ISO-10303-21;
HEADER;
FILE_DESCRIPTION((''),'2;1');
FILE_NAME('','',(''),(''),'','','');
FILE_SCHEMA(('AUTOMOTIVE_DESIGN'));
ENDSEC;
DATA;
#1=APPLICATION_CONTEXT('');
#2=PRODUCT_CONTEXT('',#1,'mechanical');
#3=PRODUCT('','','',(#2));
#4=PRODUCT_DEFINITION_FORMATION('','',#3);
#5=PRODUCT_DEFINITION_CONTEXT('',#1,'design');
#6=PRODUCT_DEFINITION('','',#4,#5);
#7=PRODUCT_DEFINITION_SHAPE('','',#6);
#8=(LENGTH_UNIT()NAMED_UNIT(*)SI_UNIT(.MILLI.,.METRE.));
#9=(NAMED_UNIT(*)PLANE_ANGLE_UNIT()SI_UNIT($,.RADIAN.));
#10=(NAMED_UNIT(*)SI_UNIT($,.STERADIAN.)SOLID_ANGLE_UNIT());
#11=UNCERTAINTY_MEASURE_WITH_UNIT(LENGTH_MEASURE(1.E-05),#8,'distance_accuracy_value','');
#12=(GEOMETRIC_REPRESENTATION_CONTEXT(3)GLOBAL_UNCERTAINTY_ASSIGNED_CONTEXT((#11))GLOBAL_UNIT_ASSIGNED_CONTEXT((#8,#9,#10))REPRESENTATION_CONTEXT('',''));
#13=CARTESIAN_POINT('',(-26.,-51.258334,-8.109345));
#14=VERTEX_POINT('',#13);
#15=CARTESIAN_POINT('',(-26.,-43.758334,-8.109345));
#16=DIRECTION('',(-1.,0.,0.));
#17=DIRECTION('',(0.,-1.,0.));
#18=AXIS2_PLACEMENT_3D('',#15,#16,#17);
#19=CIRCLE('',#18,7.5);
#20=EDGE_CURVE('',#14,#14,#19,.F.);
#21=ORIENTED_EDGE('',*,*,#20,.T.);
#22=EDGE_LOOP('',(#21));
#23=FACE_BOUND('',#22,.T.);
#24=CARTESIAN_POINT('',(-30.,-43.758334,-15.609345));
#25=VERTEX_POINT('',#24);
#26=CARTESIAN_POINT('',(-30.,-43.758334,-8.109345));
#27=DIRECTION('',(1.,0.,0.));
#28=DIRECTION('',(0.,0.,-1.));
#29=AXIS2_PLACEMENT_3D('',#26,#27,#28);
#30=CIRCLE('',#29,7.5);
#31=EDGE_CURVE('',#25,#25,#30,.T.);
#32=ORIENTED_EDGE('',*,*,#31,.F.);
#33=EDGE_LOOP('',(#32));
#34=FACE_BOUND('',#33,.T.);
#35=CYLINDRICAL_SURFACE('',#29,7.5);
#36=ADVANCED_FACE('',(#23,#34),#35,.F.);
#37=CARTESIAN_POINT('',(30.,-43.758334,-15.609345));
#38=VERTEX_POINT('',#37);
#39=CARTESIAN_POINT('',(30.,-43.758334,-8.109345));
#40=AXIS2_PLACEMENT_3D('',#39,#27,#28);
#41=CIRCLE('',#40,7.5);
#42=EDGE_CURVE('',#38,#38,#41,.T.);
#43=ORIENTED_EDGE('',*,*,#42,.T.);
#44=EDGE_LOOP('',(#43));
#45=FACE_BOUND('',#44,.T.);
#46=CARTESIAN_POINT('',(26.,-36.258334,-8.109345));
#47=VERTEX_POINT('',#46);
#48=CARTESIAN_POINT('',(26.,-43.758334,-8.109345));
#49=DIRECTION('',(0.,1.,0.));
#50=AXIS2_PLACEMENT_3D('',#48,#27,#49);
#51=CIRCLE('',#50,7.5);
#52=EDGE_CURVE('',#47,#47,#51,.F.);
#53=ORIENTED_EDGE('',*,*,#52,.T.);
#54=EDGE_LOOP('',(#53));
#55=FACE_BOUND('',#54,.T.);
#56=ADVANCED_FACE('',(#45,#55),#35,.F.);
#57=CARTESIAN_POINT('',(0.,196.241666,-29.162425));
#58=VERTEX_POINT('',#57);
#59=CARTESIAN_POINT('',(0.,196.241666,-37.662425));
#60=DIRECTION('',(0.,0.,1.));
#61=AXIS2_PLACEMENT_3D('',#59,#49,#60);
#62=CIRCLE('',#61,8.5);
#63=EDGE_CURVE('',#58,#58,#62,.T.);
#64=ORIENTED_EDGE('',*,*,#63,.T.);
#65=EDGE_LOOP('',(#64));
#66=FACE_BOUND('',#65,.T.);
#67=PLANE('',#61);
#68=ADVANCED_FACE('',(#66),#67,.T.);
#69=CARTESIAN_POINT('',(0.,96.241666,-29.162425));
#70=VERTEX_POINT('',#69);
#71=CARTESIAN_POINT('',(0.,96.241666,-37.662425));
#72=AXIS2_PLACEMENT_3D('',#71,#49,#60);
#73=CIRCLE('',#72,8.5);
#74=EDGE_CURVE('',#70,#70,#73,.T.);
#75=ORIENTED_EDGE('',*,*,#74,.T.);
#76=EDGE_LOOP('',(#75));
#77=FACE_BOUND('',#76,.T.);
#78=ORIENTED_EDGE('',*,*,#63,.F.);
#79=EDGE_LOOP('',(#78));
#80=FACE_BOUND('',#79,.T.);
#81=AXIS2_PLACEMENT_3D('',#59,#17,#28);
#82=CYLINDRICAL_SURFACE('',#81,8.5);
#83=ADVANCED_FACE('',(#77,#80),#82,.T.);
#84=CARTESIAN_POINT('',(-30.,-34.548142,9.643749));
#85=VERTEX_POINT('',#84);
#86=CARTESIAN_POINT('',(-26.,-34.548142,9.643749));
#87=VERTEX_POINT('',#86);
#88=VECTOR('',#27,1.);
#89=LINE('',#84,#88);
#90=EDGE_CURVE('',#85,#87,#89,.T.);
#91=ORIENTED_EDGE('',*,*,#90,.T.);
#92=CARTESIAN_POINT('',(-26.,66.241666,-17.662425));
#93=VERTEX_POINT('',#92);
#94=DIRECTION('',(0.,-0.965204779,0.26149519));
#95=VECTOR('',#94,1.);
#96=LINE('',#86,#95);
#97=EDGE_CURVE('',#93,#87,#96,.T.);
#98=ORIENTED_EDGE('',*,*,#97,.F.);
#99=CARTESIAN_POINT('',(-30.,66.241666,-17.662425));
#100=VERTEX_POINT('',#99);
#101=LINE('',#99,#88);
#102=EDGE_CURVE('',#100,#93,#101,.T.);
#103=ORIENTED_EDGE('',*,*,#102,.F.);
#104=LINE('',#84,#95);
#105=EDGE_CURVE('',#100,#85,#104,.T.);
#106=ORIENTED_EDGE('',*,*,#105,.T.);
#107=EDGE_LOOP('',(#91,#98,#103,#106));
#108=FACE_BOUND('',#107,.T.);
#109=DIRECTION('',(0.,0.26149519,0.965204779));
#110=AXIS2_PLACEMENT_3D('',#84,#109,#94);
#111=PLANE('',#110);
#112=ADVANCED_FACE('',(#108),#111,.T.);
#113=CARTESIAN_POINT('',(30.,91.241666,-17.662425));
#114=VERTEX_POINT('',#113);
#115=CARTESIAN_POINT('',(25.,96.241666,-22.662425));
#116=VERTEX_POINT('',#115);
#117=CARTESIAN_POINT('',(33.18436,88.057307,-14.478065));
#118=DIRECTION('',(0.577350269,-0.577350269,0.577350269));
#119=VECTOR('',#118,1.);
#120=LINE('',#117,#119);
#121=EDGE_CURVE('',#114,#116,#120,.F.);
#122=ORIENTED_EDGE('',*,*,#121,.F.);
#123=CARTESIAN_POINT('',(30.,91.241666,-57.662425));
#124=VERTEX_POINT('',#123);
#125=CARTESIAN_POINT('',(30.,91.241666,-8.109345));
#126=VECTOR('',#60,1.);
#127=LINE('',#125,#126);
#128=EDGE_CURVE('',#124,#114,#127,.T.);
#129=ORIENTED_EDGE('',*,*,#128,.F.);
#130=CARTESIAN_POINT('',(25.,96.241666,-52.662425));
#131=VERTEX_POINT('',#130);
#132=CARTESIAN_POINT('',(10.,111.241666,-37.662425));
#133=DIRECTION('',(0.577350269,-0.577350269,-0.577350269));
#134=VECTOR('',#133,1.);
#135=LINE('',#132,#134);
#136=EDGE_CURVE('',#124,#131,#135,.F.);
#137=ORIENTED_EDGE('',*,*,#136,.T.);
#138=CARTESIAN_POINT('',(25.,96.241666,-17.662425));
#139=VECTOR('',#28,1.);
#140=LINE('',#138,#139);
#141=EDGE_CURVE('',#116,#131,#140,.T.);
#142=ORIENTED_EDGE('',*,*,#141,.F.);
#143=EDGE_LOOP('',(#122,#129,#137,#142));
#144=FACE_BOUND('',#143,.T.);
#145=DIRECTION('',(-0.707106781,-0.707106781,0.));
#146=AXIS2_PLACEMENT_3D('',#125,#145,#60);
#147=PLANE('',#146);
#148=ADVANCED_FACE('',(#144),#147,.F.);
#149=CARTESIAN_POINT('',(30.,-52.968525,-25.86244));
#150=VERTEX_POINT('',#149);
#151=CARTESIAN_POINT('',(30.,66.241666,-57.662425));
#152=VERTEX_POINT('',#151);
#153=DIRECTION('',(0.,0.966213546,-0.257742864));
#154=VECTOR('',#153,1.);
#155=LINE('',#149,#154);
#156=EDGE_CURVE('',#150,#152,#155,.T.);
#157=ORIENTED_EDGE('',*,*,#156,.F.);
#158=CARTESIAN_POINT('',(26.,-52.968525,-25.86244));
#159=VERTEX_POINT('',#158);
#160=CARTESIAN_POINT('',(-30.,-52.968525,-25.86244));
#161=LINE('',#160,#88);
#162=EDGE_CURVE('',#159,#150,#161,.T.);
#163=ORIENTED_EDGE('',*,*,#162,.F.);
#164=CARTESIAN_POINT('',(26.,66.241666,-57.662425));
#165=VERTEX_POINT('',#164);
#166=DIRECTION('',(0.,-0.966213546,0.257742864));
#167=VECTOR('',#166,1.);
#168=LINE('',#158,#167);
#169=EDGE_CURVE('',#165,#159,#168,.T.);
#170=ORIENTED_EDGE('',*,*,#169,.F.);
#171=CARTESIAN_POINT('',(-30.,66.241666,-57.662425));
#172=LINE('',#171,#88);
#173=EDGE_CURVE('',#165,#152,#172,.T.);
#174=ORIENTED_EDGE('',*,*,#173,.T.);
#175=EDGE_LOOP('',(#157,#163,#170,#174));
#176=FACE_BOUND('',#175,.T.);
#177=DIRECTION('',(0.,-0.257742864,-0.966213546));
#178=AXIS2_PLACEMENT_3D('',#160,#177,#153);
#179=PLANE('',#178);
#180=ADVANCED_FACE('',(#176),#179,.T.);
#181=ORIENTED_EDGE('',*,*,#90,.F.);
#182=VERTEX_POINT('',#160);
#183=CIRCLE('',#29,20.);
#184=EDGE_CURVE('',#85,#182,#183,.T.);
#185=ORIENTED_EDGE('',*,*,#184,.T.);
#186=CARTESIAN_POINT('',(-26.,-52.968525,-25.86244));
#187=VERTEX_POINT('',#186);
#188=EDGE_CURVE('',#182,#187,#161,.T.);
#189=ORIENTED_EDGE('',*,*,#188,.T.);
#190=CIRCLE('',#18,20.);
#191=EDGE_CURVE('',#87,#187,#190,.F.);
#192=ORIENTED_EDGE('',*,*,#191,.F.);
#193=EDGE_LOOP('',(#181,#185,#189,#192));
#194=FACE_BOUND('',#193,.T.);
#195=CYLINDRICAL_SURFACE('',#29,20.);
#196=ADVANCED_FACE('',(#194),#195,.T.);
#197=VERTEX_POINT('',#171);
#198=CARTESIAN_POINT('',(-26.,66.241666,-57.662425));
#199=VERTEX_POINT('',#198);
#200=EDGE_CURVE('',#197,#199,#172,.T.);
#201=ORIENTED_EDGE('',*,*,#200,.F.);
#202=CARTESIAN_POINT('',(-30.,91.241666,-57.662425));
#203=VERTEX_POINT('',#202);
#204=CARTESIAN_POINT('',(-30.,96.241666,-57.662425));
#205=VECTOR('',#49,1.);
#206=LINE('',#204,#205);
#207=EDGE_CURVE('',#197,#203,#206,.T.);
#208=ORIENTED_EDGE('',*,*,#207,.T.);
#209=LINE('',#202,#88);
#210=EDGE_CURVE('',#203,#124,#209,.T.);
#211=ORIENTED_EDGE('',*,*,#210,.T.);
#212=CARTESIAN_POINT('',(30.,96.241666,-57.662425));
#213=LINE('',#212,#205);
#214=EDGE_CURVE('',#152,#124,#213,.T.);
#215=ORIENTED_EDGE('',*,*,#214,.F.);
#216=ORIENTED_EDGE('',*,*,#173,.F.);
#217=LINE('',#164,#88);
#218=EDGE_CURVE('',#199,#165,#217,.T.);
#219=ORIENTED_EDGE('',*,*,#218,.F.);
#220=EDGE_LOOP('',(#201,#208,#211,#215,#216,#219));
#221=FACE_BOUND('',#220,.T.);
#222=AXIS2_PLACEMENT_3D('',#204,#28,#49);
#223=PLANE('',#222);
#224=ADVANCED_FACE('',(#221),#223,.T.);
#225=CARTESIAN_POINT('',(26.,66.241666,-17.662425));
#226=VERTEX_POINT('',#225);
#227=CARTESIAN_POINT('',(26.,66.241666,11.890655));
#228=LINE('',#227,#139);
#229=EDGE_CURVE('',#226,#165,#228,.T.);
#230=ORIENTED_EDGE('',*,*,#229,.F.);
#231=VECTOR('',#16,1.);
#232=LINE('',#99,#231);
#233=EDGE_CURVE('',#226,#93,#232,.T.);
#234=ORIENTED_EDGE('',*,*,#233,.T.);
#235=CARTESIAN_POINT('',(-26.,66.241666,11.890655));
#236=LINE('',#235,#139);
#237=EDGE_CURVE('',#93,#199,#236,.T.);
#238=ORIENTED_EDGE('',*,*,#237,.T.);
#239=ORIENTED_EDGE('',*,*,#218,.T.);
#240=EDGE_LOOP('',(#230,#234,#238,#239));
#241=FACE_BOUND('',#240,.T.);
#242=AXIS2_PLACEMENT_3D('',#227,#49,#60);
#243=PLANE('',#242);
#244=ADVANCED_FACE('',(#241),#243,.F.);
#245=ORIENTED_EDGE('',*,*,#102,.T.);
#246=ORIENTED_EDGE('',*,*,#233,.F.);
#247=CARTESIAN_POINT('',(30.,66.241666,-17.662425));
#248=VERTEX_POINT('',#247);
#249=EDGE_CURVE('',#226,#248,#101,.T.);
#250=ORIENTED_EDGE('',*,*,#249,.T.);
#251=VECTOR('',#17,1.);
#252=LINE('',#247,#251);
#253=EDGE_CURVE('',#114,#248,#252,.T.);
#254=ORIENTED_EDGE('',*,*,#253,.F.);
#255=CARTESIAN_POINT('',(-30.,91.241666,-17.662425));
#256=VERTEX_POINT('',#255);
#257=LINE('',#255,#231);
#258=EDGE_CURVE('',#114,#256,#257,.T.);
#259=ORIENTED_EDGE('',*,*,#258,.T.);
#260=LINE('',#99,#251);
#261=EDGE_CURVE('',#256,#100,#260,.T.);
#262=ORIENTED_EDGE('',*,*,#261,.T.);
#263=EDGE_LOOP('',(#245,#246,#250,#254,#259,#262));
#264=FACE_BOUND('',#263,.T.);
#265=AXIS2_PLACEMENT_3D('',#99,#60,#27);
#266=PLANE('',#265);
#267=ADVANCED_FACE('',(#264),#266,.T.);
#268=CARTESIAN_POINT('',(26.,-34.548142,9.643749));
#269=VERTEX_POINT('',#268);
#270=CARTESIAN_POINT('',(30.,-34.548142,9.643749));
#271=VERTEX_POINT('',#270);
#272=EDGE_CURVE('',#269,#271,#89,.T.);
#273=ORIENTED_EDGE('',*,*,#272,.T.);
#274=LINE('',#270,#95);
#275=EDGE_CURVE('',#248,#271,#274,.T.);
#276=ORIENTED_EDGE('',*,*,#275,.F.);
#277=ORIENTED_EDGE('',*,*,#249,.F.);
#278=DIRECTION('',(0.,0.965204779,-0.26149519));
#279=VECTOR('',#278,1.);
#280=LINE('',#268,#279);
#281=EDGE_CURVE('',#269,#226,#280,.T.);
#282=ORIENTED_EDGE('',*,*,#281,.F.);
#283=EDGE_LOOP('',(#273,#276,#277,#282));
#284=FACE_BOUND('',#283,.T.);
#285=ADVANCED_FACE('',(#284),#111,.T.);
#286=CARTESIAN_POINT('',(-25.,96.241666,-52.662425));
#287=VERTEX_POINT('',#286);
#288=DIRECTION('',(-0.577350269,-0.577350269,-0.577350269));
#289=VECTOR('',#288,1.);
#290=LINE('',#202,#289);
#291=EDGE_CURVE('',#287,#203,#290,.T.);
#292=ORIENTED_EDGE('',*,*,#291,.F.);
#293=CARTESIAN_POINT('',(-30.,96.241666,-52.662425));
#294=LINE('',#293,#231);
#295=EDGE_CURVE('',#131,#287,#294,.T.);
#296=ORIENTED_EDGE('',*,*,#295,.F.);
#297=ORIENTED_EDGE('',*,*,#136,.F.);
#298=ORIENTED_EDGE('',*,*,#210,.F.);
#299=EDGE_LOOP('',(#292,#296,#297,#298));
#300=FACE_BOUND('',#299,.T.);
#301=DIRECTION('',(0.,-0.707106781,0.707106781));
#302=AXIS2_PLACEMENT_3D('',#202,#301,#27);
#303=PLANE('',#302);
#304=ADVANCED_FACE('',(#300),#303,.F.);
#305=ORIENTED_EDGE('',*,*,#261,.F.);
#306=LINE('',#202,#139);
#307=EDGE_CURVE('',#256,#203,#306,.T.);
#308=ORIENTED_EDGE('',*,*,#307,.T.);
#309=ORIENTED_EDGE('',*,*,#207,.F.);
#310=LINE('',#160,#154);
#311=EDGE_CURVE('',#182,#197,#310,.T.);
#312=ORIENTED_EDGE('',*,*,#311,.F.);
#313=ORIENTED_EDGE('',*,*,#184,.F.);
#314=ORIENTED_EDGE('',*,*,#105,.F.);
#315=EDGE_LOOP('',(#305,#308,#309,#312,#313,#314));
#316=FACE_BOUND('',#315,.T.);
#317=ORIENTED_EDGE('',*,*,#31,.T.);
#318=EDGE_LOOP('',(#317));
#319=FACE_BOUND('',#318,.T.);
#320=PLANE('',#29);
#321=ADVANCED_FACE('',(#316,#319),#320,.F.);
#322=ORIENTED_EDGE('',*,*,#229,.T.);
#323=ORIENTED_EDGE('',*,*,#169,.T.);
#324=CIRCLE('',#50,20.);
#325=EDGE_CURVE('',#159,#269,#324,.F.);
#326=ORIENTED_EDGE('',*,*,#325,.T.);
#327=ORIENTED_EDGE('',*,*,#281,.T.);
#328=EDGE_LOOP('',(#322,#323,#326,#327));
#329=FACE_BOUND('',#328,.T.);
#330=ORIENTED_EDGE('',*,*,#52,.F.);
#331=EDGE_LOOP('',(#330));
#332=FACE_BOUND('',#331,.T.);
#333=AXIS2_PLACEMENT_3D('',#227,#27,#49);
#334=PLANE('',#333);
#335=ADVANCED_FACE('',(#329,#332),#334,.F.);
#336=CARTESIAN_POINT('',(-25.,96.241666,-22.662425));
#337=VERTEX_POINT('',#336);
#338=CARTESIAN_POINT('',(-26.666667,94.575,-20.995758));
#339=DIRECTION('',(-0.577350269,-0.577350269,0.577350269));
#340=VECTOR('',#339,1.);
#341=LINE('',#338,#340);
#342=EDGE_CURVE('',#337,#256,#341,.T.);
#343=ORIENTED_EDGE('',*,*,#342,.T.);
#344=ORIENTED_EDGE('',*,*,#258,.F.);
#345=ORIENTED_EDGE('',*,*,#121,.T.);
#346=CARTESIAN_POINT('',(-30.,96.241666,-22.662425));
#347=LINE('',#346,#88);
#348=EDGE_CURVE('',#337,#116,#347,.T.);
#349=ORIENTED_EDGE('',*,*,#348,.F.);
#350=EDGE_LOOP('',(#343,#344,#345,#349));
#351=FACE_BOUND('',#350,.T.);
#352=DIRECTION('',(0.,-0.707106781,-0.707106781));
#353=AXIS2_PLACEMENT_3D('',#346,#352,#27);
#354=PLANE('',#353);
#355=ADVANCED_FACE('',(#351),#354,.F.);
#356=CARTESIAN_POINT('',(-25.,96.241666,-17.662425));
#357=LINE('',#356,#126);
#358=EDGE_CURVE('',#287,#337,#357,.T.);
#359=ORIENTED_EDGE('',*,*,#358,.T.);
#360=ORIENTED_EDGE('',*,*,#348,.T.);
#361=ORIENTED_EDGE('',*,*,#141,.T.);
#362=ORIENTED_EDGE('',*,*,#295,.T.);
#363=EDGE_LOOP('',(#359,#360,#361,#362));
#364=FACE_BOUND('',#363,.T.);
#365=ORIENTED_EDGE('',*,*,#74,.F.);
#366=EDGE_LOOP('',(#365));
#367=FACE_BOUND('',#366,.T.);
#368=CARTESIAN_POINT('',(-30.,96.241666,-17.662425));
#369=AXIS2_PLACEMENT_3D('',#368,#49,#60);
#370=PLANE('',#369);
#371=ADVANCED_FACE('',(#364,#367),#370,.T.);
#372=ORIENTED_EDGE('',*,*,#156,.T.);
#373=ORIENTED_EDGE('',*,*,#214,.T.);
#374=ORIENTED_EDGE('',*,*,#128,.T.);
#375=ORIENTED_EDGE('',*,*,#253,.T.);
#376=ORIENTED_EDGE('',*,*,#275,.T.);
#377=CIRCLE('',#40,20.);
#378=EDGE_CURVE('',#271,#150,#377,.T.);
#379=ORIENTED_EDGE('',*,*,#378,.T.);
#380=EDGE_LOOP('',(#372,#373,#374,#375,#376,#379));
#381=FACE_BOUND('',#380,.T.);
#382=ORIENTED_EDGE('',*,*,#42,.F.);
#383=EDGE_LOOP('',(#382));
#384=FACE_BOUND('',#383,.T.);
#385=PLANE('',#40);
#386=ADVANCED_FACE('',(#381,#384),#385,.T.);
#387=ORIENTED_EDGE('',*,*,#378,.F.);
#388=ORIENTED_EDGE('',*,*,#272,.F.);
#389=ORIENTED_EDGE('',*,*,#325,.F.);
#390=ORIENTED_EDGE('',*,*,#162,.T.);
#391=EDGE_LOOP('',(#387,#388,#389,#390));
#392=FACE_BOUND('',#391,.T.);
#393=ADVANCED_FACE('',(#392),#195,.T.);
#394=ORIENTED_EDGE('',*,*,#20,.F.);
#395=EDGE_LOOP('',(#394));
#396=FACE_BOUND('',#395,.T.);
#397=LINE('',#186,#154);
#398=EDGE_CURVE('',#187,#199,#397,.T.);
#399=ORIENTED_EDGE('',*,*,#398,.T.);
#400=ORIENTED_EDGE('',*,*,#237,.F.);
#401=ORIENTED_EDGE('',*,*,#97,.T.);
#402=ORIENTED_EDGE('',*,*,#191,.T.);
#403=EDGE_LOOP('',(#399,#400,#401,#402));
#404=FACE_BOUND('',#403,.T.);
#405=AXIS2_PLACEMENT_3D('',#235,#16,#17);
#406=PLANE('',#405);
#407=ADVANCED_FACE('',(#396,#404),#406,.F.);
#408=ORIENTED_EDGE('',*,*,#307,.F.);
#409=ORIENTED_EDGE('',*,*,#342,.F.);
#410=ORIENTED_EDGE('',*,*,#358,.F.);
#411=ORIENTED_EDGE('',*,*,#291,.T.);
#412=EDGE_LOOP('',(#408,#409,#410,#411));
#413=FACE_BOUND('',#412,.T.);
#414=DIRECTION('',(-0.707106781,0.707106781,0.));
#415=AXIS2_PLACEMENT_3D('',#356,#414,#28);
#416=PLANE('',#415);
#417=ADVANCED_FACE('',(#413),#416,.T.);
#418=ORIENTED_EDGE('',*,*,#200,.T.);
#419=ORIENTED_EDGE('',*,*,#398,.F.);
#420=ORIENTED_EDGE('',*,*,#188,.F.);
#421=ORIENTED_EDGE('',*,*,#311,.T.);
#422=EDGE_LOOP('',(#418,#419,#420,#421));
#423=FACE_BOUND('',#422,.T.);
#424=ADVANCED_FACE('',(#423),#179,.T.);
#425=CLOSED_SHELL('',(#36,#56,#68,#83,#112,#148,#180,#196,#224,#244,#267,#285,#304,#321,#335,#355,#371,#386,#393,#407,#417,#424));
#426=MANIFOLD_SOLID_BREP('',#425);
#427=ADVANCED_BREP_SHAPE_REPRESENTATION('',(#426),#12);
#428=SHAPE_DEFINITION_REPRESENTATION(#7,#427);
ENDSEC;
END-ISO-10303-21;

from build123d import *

# Parameters (mm, degrees)
RESSALTO_EXTRUS_O1_DEPTH      = 30
RESSALTO_EXTRUS_O1_DEPTH_BACK = 30
ESBO_O1_R                     = 7.5
ESBO_O2_W                     = 52
ESBO_O2_H                     = 143.285030211
CORTE_EXTRUS_O1_DEPTH         = 123.474851541
CHANFRO1_SIZE                 = 5
ESBO_O3_R                     = 8.5
RESSALTO_EXTRUS_O2_DEPTH      = 100


with BuildPart() as part:
    # Esboço1 → Ressalto-extrusão1 (new, two sides: drawn at the far end of the back side and taken through both)
    with BuildSketch(Plane(origin=(0, 0, 0), x_dir=(0, 0, -1), z_dir=(1, 0, 0)).offset(-RESSALTO_EXTRUS_O1_DEPTH_BACK)):
        with BuildLine():
            Line((17.662425064, 66.241666463), (17.662425064, 96.241666463))
            Line((17.662425064, 96.241666463), (57.662425064, 96.241666463))
            Line((57.662425064, 96.241666463), (57.662425064, 66.241666463))
            Line((57.662425064, 66.241666463), (25.862440111, -52.968524997))
            ThreePointArc((25.862440111, -52.968524997), (-1.100846101, -61.511428289), (-9.643749393, -34.548142078))
            Line((-9.643749393, -34.548142078), (17.662425064, 66.241666463))
        make_face()
        with Locations((8.109345359, -43.758333537)):
            Circle(ESBO_O1_R, mode=Mode.SUBTRACT)
    extrude(amount=RESSALTO_EXTRUS_O1_DEPTH + RESSALTO_EXTRUS_O1_DEPTH_BACK)

    # Esboço2 → Corte-extrusão1 (cut, through all)
    with BuildSketch(Plane(origin=(0, 0, -57.662425064), x_dir=(-1, 0, 0), z_dir=(0, 0, -1))):
        with Locations((0, -5.400848643)):
            Rectangle(ESBO_O2_W, ESBO_O2_H)
    extrude(amount=-CORTE_EXTRUS_O1_DEPTH, mode=Mode.SUBTRACT)

    # Chanfro1
    chanfro1_edges = [part.edges().sort_by_distance(p)[0] for p in [
        (0, 96.241666463, -17.662425064),
        (-30, 96.241666463, -37.662425064),
        (30, 96.241666463, -37.662425064),
        (0, 96.241666463, -57.662425064),
    ]]
    chamfer(chanfro1_edges, length=CHANFRO1_SIZE)

    # Esboço3 → Ressalto-extrusão2 (add)
    with BuildSketch(Plane(origin=(0, 96.241666463, 0), x_dir=(1, 0, 0), z_dir=(0, 1, 0))):
        with Locations((0, 37.662425064)):
            Circle(ESBO_O3_R)
    extrude(amount=RESSALTO_EXTRUS_O2_DEPTH)


solid = part.part
